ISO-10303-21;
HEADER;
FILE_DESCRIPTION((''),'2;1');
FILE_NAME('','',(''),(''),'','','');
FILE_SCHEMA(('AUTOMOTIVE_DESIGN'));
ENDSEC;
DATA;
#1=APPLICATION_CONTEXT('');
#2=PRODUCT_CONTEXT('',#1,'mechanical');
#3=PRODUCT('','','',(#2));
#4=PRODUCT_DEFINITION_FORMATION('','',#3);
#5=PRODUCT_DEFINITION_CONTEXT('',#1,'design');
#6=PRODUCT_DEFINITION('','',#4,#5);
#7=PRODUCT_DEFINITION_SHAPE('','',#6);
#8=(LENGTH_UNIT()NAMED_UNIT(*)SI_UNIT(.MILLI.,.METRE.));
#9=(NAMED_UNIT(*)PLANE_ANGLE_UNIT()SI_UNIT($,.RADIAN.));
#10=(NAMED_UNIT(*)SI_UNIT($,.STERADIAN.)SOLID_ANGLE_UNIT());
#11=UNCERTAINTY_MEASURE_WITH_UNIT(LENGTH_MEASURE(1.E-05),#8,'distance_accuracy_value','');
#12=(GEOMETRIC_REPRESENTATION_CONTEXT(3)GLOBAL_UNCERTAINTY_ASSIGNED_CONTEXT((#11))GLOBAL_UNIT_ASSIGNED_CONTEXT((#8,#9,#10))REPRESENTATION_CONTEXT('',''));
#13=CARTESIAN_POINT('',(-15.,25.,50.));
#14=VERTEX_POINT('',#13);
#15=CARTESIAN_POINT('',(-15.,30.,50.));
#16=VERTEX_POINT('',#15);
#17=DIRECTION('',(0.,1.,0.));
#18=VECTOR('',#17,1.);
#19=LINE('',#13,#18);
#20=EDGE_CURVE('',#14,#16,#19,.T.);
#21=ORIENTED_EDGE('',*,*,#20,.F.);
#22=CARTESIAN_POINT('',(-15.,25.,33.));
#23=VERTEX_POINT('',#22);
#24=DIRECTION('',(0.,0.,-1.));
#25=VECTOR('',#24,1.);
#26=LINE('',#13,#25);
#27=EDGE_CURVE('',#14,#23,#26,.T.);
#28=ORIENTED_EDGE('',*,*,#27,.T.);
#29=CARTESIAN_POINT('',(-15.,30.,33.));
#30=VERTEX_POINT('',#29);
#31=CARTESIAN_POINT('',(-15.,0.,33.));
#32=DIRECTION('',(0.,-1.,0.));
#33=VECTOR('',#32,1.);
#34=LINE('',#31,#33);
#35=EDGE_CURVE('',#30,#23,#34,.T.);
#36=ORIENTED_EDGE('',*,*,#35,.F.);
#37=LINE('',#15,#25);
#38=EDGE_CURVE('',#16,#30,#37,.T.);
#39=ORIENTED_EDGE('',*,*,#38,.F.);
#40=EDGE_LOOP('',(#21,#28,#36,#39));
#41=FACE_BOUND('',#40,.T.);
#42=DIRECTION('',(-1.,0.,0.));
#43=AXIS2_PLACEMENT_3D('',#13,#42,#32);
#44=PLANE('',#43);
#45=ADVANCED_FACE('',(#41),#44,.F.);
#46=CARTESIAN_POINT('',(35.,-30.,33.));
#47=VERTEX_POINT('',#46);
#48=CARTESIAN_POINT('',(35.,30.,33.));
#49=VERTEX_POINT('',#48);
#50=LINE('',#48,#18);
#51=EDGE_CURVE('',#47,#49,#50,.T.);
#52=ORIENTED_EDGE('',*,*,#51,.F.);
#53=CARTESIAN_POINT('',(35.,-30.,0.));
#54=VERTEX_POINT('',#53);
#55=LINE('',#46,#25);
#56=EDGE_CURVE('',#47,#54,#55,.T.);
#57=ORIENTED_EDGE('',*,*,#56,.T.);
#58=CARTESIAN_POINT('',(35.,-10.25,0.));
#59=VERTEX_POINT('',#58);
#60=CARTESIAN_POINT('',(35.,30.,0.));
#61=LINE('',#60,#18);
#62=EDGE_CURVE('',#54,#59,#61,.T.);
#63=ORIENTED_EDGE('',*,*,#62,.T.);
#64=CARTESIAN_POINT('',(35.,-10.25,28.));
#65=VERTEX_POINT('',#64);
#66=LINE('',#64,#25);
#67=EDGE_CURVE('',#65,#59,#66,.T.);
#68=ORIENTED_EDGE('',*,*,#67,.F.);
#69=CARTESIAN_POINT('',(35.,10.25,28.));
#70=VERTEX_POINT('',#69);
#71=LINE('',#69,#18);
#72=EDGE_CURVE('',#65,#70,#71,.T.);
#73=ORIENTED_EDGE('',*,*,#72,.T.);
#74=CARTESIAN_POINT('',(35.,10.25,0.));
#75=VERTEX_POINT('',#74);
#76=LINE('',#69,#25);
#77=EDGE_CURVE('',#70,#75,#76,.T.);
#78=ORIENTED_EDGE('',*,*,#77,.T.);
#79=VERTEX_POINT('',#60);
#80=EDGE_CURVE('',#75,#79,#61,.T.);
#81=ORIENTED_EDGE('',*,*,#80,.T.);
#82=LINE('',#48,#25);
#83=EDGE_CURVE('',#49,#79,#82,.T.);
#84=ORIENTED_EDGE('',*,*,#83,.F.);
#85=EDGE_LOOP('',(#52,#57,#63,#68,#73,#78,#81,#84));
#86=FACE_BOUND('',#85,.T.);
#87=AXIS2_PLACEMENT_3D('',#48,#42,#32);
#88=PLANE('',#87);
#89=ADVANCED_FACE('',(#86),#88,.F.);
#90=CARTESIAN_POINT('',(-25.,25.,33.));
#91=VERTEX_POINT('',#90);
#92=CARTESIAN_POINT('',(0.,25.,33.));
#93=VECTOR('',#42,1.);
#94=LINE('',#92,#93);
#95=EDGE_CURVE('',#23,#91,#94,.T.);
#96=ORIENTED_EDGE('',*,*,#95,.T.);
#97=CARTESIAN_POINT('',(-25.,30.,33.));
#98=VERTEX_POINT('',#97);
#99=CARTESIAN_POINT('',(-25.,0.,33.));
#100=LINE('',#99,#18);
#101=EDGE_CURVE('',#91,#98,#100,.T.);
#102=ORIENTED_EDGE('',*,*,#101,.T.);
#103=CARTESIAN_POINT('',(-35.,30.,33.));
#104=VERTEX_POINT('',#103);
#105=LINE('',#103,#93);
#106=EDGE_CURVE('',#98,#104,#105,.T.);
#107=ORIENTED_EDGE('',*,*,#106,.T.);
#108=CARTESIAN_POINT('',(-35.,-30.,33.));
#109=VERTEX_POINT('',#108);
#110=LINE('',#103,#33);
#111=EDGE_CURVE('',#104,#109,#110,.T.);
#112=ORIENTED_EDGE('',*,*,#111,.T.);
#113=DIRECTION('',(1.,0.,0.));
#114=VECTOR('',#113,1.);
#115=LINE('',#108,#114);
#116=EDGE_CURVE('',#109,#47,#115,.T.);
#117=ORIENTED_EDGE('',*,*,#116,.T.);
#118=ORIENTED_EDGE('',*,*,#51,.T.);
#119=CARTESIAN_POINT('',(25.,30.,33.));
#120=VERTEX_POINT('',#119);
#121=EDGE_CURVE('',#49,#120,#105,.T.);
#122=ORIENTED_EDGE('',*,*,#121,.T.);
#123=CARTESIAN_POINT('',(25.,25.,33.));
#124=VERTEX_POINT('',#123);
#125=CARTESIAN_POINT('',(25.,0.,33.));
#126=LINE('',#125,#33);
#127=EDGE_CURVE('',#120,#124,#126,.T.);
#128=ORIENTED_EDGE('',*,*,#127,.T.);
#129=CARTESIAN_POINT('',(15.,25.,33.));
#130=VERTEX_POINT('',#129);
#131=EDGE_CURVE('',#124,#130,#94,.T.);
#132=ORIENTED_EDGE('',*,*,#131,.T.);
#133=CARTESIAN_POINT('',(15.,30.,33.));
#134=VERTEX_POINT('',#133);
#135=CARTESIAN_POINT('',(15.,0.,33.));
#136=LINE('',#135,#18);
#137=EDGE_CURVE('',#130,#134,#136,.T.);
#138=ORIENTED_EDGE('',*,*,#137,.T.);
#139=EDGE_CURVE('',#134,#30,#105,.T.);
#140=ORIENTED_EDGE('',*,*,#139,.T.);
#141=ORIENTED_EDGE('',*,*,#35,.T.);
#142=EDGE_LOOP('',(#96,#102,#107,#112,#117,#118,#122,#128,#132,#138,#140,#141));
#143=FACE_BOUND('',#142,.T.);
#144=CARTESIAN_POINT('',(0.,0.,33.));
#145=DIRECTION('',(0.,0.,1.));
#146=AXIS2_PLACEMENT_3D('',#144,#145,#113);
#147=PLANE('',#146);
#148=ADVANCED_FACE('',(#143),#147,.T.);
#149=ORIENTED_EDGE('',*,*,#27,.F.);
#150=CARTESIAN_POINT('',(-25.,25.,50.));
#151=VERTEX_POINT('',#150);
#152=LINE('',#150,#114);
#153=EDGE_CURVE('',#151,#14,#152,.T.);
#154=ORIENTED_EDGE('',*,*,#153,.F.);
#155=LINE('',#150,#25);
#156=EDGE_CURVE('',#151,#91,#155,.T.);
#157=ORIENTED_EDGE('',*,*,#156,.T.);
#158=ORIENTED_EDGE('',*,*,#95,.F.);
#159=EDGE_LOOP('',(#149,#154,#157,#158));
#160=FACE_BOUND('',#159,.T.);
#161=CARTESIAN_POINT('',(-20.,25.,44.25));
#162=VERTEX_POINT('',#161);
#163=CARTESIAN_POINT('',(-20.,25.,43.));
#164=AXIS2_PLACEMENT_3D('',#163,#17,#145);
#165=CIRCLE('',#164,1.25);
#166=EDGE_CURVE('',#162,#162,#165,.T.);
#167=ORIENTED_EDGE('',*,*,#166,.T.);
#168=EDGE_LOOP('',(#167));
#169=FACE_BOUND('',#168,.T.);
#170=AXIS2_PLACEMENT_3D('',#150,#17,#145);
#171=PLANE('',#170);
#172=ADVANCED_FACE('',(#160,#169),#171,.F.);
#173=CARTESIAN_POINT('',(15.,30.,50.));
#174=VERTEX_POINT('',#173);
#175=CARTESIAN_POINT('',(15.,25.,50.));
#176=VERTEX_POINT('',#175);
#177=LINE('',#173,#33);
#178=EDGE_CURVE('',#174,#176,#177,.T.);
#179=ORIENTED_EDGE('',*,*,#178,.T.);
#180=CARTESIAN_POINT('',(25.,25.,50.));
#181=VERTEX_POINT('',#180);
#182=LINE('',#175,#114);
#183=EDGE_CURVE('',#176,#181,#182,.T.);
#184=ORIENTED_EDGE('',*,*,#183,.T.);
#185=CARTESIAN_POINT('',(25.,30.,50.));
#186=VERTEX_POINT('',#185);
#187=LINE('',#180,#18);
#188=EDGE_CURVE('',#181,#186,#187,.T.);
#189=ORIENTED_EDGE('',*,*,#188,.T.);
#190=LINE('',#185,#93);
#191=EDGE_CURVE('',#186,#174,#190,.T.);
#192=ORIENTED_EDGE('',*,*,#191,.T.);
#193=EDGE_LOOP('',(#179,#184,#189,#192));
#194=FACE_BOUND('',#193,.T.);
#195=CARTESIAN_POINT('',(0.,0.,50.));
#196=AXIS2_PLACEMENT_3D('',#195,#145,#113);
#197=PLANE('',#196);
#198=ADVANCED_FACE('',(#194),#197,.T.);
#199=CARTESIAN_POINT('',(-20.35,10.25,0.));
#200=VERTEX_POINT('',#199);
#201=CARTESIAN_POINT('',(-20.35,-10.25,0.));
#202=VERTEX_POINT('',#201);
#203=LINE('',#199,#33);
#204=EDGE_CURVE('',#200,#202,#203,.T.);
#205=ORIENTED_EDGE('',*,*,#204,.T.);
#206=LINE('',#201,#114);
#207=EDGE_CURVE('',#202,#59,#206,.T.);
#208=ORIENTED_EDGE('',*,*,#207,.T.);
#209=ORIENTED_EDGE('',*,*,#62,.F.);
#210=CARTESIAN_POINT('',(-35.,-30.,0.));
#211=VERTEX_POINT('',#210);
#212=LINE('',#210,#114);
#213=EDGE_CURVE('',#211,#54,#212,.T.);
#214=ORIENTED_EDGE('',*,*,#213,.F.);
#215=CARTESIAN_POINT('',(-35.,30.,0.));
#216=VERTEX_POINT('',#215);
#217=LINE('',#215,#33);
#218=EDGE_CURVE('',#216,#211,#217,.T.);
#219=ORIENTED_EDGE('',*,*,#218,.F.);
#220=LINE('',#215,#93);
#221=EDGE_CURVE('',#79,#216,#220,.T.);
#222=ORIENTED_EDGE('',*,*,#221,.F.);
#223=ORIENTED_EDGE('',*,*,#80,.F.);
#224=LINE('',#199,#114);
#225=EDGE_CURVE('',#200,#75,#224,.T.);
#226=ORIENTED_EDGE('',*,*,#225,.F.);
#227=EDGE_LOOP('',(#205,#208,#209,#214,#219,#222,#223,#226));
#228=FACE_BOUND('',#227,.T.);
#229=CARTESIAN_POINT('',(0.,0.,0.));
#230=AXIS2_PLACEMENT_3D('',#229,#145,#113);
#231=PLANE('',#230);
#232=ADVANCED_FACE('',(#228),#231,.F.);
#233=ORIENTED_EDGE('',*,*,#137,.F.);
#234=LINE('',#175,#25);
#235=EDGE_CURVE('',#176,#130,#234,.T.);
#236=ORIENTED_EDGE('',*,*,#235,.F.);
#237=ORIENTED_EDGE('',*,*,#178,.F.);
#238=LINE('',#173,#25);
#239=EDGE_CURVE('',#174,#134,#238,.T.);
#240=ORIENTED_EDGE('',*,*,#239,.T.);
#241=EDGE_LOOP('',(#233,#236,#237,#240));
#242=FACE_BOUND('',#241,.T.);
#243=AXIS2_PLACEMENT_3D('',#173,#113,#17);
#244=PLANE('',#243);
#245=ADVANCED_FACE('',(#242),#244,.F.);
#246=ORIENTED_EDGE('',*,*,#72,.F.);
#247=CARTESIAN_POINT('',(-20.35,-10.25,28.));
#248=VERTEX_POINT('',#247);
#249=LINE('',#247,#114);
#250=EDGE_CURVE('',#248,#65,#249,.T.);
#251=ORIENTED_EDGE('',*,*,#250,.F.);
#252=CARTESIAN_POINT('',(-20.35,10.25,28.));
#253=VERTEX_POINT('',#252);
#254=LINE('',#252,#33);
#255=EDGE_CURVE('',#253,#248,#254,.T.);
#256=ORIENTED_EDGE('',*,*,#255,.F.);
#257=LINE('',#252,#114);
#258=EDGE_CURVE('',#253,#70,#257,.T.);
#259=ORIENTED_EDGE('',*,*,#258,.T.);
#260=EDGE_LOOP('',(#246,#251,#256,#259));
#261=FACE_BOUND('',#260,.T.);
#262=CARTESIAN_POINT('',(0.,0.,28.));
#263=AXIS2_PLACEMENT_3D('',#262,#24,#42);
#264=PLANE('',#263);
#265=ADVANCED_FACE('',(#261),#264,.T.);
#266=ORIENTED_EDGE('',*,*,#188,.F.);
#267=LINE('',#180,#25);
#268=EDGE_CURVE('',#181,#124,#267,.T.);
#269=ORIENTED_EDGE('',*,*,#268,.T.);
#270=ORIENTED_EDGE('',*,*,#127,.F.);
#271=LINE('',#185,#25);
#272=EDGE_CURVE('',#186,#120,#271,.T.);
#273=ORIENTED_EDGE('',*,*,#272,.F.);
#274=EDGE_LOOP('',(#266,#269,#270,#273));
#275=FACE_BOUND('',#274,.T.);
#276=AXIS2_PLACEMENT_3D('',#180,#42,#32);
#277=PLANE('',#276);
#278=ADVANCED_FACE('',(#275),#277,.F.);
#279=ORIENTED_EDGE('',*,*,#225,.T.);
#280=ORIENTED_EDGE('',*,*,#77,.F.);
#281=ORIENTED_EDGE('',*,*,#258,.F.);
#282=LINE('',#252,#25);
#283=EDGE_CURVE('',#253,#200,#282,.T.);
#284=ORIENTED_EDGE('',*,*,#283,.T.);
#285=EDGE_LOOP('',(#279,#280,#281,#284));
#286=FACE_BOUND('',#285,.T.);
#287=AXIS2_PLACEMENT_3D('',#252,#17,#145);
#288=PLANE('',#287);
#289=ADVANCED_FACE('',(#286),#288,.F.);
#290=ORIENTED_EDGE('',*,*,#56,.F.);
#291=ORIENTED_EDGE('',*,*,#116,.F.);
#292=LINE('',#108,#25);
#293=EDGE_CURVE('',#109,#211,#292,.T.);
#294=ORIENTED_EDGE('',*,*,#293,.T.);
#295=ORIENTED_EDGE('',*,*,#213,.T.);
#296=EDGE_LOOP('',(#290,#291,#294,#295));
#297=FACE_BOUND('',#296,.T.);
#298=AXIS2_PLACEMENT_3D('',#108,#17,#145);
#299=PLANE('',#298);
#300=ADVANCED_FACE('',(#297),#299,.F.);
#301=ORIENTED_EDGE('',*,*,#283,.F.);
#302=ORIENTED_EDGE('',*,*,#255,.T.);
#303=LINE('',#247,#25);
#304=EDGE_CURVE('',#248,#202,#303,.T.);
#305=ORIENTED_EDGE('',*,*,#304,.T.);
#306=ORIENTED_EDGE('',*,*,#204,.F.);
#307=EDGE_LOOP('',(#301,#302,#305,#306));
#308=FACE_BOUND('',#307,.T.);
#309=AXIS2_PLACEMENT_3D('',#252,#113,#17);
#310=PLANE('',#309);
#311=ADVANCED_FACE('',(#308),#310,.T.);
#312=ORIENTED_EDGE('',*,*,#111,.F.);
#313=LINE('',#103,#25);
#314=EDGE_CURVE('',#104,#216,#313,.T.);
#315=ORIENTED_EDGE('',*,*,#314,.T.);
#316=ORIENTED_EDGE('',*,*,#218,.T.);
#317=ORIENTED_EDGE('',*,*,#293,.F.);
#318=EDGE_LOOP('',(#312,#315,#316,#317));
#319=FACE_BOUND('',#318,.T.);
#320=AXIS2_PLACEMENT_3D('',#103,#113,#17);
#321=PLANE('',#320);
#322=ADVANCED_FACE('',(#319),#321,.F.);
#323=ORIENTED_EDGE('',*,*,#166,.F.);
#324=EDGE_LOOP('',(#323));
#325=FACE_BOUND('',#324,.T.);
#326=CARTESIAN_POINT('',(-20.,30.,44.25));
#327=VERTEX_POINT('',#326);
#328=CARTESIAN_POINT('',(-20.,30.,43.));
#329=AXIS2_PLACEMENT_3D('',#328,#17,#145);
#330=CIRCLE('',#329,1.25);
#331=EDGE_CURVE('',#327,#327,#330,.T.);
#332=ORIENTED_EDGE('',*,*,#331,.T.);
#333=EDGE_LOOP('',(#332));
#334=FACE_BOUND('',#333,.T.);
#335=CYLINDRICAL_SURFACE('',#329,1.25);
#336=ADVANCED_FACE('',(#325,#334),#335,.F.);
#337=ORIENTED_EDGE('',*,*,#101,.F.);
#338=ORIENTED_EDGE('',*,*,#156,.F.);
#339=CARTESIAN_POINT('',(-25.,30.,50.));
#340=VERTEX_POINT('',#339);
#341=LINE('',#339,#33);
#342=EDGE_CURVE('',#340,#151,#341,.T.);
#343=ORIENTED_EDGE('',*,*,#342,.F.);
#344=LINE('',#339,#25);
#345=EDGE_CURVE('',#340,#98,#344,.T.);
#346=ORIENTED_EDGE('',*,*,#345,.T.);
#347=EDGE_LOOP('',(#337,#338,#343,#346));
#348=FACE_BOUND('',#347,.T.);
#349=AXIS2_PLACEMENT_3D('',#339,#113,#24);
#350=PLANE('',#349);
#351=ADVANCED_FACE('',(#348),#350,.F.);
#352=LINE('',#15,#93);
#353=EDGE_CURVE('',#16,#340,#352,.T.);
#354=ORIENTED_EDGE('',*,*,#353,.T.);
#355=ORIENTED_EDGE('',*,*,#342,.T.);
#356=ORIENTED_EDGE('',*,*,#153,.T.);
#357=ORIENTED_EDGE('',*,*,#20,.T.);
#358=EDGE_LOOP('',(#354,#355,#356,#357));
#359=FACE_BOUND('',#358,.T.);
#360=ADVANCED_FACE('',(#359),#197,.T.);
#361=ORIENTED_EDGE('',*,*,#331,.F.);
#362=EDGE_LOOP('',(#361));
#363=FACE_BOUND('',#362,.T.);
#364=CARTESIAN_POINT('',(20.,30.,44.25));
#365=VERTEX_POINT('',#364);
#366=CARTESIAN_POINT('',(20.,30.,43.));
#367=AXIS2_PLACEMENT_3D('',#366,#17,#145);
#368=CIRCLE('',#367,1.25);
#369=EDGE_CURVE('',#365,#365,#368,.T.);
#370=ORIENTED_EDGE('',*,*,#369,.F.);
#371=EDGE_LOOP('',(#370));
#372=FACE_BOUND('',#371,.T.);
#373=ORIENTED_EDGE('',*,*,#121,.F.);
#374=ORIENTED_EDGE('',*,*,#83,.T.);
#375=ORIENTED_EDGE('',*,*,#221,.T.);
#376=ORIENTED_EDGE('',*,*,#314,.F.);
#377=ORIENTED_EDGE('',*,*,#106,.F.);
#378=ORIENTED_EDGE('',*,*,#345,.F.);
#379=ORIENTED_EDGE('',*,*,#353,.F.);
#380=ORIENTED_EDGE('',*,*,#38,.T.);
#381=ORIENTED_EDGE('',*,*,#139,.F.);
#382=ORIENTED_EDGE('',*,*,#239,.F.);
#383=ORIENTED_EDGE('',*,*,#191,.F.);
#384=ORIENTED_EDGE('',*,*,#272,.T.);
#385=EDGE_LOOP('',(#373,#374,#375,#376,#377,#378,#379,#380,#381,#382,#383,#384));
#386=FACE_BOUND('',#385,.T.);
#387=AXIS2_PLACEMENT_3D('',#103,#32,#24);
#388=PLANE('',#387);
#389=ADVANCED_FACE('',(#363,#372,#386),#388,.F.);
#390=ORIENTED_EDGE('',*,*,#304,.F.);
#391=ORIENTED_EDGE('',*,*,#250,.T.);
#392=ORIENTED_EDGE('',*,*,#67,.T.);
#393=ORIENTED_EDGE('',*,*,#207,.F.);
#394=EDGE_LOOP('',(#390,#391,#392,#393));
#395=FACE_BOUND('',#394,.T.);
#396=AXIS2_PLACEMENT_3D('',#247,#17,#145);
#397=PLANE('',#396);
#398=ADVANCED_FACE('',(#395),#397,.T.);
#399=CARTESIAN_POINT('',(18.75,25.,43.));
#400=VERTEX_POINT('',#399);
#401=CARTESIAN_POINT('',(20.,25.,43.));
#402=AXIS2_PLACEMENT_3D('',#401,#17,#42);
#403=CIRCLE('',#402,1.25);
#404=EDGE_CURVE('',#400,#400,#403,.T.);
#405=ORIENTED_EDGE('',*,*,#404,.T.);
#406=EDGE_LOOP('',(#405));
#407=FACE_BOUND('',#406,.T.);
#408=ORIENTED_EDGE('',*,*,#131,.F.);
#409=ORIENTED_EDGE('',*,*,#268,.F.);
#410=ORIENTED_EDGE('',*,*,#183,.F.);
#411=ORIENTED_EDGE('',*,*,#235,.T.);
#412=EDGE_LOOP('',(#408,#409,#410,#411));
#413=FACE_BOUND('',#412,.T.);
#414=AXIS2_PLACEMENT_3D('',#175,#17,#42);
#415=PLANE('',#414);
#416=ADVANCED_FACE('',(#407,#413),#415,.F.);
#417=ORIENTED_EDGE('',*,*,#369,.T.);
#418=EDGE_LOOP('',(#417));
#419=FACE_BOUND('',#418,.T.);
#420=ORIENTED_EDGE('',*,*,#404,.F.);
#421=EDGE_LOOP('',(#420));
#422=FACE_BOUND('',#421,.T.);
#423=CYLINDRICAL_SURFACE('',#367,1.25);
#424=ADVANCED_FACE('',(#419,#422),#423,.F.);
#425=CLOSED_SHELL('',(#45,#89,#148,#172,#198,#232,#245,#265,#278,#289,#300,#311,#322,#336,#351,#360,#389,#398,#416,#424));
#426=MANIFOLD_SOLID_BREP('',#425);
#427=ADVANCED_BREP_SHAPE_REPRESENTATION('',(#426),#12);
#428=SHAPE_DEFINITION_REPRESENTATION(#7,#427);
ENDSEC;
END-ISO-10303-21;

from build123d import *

# Parameters (mm, degrees)
SKETCH_2_W          = 70
SKETCH_2_H          = 60
EXTRUDE_2_DEPTH     = 33
SKETCH_3_W          = 40.7
SKETCH_3_H          = 20.5
CUT_EXTRUDE_1_DEPTH = 28
SKETCH_4_W          = 14.65
SKETCH_4_H          = 20.5
EXTRUDE_3_DEPTH     = 28
SKETCH_5_W          = 14.65
SKETCH_5_H          = 20.5
CUT_EXTRUDE_4_DEPTH = 28
SKETCH_8_W          = 10
SKETCH_8_H          = 5
EXTRUDE_5_DEPTH     = 50
M3X0_5_1_D          = 2.5


with BuildPart() as part:
    # ｽｹｯﾁ2 → ﾎﾞｽ - 押し出し2 (new body)
    with BuildSketch(Plane.XY):
        Rectangle(SKETCH_2_W, SKETCH_2_H)
    extrude(amount=EXTRUDE_2_DEPTH)

    # ｽｹｯﾁ3 → ｶｯﾄ - 押し出し1 (cut)
    with BuildSketch(Plane.XY):
        Rectangle(SKETCH_3_W, SKETCH_3_H)
    extrude(amount=CUT_EXTRUDE_1_DEPTH, mode=Mode.SUBTRACT)

    # ｽｹｯﾁ4 → ﾎﾞｽ - 押し出し3 (add)
    with BuildSketch(Plane.XY):
        with Locations((27.675, 0)):
            Rectangle(SKETCH_4_W, SKETCH_4_H)
    extrude(amount=EXTRUDE_3_DEPTH)

    # ｽｹｯﾁ5 → ｶｯﾄ - 押し出し4 (cut)
    with BuildSketch(Plane.XY):
        with Locations((27.675, 0)):
            Rectangle(SKETCH_5_W, SKETCH_5_H)
    extrude(amount=CUT_EXTRUDE_4_DEPTH, mode=Mode.SUBTRACT)

    # ｽｹｯﾁ8 → ﾎﾞｽ - 押し出し5 (add)
    with BuildSketch(Plane.XY):
        with Locations((-20, 27.5)):
            Rectangle(SKETCH_8_W, SKETCH_8_H)
        with Locations((20, 27.5)):
            Rectangle(SKETCH_8_W, SKETCH_8_H)
    extrude(amount=EXTRUDE_5_DEPTH)

    # M3x0.5 ねじ穴1 (through all)
    with Locations(Plane(origin=(0, 30, 0), x_dir=(1, 0, 0), z_dir=(0, 1, 0))):
        with Locations((-20, -43), (20, -43)):
            Hole(M3X0_5_1_D / 2)


solid = part.part
